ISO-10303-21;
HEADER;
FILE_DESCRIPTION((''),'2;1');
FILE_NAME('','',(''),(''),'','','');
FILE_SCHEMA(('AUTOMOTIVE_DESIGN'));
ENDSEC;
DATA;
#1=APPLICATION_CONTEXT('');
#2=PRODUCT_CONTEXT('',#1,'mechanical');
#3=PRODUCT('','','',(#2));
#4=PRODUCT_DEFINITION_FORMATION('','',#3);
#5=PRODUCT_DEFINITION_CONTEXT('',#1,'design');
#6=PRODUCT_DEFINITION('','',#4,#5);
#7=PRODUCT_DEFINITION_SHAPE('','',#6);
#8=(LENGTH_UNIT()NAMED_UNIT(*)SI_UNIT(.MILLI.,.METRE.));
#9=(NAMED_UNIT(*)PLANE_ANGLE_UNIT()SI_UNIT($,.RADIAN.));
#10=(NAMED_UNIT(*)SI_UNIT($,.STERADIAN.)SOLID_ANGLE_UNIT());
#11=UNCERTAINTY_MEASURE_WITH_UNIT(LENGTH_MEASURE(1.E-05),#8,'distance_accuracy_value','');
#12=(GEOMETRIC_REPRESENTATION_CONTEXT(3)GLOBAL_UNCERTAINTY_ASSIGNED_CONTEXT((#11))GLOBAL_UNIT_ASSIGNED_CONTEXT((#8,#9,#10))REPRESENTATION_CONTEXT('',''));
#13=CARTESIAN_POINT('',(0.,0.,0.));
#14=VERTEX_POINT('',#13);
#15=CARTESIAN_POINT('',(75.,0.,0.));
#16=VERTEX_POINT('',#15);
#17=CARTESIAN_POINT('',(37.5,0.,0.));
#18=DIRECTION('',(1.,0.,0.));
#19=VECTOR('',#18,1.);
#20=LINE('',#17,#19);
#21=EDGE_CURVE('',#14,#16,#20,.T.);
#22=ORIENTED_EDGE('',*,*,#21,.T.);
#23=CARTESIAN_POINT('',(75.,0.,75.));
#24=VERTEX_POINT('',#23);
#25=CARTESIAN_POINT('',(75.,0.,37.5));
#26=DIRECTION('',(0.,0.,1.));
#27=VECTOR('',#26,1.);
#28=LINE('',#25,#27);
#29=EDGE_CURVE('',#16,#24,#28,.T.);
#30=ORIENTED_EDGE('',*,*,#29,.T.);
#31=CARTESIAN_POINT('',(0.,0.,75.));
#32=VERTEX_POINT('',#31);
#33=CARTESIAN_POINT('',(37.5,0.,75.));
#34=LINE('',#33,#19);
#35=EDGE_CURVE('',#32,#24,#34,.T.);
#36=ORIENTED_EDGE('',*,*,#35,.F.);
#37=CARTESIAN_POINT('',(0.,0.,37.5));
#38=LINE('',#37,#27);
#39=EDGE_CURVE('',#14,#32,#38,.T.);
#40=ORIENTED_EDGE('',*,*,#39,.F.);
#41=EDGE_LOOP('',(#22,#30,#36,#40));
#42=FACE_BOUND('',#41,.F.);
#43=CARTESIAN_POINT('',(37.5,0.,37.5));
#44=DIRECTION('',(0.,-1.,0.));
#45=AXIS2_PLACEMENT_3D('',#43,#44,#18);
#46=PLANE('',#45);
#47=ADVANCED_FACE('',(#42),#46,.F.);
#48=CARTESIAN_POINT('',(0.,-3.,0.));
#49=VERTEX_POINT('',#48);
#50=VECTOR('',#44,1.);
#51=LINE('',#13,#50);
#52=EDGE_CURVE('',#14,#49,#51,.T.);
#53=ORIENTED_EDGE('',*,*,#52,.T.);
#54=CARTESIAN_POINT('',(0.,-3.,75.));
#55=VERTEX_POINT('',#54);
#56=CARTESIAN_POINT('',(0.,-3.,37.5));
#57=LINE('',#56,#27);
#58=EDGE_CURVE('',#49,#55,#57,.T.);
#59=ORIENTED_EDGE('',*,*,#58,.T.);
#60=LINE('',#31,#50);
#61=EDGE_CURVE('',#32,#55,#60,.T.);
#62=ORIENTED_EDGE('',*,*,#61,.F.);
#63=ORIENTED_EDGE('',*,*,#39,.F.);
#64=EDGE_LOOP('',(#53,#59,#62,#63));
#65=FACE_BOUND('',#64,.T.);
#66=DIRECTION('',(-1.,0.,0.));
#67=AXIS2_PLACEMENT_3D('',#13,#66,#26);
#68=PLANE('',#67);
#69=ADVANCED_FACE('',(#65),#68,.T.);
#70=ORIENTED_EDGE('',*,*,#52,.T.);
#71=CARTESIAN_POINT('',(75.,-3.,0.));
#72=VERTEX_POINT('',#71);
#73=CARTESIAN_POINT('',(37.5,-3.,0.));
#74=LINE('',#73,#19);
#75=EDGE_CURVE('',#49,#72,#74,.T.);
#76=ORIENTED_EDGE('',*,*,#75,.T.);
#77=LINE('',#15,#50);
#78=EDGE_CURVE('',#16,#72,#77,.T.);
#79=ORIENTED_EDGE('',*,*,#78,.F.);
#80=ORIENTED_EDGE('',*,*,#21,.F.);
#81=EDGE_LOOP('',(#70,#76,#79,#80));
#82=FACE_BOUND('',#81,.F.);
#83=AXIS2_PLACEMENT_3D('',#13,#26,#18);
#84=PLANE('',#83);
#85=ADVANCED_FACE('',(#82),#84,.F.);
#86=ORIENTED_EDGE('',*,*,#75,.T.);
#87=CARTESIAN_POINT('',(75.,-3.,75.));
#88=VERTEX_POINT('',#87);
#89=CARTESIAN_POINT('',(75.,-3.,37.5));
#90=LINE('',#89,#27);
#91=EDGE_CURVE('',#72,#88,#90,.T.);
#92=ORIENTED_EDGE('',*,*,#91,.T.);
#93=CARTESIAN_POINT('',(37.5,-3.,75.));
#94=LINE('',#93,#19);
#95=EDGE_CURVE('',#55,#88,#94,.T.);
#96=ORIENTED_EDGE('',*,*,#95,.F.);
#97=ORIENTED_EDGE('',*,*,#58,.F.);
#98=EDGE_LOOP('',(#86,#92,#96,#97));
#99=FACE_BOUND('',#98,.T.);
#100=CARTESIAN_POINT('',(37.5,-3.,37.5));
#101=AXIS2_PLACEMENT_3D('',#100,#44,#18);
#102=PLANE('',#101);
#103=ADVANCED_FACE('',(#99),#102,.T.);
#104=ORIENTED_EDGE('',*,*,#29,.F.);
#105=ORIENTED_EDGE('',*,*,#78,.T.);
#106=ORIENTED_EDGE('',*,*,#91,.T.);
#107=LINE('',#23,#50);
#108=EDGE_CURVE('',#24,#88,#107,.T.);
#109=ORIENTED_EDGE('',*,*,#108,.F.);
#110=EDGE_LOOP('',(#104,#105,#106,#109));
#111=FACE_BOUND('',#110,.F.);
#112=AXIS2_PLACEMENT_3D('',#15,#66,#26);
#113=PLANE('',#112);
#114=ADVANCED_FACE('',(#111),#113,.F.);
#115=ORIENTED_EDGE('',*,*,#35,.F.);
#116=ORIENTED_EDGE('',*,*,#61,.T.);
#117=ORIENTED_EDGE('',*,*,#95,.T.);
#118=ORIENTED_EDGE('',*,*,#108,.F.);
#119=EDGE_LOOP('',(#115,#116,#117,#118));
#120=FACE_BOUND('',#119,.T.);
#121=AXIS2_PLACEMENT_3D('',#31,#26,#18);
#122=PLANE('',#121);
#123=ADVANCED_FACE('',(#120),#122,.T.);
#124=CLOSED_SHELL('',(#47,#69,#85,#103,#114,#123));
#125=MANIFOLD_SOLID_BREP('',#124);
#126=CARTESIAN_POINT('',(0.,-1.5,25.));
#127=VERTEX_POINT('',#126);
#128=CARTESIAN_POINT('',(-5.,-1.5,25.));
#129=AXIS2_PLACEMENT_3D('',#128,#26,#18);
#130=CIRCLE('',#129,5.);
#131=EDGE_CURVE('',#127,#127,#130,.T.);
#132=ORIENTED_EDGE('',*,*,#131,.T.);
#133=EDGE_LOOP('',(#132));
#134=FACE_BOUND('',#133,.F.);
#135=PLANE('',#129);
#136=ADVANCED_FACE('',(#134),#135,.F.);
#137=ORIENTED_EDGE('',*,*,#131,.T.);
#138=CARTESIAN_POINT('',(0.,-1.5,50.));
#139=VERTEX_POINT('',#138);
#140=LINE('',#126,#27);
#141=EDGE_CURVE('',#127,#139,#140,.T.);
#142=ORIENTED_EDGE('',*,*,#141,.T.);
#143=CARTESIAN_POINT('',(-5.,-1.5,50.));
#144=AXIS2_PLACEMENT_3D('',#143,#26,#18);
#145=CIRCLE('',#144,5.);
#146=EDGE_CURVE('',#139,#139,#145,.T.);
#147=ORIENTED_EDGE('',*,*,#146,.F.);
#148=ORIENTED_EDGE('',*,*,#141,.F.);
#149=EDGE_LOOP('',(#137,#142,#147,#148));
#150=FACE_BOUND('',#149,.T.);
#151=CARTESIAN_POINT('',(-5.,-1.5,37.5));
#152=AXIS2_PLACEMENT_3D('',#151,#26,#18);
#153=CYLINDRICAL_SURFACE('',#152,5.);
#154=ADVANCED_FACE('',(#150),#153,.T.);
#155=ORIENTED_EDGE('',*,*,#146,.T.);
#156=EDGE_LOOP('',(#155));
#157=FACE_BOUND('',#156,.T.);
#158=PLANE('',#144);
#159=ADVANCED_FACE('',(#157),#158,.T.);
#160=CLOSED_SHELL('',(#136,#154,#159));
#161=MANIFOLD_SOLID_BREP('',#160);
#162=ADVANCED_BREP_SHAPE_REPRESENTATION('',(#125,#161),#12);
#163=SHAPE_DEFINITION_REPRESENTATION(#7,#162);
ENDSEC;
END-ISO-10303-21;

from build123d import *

# Parameters (mm, degrees)
F0_W     = 75
F0_H     = 75
F1_DEPTH = 3
F3_R     = 5
F4_DEPTH = 12.5


with BuildPart() as f1:
    # F0 (on Front) → F1 (new body)
    with BuildSketch(Plane.XZ):
        with Locations((37.5, 37.5)):
            Rectangle(F0_W, F0_H)
    extrude(amount=F1_DEPTH)

    # F3 (on offset) → F4 (join, symmetric)
    with BuildSketch(Plane.XY.offset(37.5)):
        with Locations((-5, -1.5)):
            Circle(F3_R)
    extrude(amount=F4_DEPTH, both=True)


solid = f1.part
